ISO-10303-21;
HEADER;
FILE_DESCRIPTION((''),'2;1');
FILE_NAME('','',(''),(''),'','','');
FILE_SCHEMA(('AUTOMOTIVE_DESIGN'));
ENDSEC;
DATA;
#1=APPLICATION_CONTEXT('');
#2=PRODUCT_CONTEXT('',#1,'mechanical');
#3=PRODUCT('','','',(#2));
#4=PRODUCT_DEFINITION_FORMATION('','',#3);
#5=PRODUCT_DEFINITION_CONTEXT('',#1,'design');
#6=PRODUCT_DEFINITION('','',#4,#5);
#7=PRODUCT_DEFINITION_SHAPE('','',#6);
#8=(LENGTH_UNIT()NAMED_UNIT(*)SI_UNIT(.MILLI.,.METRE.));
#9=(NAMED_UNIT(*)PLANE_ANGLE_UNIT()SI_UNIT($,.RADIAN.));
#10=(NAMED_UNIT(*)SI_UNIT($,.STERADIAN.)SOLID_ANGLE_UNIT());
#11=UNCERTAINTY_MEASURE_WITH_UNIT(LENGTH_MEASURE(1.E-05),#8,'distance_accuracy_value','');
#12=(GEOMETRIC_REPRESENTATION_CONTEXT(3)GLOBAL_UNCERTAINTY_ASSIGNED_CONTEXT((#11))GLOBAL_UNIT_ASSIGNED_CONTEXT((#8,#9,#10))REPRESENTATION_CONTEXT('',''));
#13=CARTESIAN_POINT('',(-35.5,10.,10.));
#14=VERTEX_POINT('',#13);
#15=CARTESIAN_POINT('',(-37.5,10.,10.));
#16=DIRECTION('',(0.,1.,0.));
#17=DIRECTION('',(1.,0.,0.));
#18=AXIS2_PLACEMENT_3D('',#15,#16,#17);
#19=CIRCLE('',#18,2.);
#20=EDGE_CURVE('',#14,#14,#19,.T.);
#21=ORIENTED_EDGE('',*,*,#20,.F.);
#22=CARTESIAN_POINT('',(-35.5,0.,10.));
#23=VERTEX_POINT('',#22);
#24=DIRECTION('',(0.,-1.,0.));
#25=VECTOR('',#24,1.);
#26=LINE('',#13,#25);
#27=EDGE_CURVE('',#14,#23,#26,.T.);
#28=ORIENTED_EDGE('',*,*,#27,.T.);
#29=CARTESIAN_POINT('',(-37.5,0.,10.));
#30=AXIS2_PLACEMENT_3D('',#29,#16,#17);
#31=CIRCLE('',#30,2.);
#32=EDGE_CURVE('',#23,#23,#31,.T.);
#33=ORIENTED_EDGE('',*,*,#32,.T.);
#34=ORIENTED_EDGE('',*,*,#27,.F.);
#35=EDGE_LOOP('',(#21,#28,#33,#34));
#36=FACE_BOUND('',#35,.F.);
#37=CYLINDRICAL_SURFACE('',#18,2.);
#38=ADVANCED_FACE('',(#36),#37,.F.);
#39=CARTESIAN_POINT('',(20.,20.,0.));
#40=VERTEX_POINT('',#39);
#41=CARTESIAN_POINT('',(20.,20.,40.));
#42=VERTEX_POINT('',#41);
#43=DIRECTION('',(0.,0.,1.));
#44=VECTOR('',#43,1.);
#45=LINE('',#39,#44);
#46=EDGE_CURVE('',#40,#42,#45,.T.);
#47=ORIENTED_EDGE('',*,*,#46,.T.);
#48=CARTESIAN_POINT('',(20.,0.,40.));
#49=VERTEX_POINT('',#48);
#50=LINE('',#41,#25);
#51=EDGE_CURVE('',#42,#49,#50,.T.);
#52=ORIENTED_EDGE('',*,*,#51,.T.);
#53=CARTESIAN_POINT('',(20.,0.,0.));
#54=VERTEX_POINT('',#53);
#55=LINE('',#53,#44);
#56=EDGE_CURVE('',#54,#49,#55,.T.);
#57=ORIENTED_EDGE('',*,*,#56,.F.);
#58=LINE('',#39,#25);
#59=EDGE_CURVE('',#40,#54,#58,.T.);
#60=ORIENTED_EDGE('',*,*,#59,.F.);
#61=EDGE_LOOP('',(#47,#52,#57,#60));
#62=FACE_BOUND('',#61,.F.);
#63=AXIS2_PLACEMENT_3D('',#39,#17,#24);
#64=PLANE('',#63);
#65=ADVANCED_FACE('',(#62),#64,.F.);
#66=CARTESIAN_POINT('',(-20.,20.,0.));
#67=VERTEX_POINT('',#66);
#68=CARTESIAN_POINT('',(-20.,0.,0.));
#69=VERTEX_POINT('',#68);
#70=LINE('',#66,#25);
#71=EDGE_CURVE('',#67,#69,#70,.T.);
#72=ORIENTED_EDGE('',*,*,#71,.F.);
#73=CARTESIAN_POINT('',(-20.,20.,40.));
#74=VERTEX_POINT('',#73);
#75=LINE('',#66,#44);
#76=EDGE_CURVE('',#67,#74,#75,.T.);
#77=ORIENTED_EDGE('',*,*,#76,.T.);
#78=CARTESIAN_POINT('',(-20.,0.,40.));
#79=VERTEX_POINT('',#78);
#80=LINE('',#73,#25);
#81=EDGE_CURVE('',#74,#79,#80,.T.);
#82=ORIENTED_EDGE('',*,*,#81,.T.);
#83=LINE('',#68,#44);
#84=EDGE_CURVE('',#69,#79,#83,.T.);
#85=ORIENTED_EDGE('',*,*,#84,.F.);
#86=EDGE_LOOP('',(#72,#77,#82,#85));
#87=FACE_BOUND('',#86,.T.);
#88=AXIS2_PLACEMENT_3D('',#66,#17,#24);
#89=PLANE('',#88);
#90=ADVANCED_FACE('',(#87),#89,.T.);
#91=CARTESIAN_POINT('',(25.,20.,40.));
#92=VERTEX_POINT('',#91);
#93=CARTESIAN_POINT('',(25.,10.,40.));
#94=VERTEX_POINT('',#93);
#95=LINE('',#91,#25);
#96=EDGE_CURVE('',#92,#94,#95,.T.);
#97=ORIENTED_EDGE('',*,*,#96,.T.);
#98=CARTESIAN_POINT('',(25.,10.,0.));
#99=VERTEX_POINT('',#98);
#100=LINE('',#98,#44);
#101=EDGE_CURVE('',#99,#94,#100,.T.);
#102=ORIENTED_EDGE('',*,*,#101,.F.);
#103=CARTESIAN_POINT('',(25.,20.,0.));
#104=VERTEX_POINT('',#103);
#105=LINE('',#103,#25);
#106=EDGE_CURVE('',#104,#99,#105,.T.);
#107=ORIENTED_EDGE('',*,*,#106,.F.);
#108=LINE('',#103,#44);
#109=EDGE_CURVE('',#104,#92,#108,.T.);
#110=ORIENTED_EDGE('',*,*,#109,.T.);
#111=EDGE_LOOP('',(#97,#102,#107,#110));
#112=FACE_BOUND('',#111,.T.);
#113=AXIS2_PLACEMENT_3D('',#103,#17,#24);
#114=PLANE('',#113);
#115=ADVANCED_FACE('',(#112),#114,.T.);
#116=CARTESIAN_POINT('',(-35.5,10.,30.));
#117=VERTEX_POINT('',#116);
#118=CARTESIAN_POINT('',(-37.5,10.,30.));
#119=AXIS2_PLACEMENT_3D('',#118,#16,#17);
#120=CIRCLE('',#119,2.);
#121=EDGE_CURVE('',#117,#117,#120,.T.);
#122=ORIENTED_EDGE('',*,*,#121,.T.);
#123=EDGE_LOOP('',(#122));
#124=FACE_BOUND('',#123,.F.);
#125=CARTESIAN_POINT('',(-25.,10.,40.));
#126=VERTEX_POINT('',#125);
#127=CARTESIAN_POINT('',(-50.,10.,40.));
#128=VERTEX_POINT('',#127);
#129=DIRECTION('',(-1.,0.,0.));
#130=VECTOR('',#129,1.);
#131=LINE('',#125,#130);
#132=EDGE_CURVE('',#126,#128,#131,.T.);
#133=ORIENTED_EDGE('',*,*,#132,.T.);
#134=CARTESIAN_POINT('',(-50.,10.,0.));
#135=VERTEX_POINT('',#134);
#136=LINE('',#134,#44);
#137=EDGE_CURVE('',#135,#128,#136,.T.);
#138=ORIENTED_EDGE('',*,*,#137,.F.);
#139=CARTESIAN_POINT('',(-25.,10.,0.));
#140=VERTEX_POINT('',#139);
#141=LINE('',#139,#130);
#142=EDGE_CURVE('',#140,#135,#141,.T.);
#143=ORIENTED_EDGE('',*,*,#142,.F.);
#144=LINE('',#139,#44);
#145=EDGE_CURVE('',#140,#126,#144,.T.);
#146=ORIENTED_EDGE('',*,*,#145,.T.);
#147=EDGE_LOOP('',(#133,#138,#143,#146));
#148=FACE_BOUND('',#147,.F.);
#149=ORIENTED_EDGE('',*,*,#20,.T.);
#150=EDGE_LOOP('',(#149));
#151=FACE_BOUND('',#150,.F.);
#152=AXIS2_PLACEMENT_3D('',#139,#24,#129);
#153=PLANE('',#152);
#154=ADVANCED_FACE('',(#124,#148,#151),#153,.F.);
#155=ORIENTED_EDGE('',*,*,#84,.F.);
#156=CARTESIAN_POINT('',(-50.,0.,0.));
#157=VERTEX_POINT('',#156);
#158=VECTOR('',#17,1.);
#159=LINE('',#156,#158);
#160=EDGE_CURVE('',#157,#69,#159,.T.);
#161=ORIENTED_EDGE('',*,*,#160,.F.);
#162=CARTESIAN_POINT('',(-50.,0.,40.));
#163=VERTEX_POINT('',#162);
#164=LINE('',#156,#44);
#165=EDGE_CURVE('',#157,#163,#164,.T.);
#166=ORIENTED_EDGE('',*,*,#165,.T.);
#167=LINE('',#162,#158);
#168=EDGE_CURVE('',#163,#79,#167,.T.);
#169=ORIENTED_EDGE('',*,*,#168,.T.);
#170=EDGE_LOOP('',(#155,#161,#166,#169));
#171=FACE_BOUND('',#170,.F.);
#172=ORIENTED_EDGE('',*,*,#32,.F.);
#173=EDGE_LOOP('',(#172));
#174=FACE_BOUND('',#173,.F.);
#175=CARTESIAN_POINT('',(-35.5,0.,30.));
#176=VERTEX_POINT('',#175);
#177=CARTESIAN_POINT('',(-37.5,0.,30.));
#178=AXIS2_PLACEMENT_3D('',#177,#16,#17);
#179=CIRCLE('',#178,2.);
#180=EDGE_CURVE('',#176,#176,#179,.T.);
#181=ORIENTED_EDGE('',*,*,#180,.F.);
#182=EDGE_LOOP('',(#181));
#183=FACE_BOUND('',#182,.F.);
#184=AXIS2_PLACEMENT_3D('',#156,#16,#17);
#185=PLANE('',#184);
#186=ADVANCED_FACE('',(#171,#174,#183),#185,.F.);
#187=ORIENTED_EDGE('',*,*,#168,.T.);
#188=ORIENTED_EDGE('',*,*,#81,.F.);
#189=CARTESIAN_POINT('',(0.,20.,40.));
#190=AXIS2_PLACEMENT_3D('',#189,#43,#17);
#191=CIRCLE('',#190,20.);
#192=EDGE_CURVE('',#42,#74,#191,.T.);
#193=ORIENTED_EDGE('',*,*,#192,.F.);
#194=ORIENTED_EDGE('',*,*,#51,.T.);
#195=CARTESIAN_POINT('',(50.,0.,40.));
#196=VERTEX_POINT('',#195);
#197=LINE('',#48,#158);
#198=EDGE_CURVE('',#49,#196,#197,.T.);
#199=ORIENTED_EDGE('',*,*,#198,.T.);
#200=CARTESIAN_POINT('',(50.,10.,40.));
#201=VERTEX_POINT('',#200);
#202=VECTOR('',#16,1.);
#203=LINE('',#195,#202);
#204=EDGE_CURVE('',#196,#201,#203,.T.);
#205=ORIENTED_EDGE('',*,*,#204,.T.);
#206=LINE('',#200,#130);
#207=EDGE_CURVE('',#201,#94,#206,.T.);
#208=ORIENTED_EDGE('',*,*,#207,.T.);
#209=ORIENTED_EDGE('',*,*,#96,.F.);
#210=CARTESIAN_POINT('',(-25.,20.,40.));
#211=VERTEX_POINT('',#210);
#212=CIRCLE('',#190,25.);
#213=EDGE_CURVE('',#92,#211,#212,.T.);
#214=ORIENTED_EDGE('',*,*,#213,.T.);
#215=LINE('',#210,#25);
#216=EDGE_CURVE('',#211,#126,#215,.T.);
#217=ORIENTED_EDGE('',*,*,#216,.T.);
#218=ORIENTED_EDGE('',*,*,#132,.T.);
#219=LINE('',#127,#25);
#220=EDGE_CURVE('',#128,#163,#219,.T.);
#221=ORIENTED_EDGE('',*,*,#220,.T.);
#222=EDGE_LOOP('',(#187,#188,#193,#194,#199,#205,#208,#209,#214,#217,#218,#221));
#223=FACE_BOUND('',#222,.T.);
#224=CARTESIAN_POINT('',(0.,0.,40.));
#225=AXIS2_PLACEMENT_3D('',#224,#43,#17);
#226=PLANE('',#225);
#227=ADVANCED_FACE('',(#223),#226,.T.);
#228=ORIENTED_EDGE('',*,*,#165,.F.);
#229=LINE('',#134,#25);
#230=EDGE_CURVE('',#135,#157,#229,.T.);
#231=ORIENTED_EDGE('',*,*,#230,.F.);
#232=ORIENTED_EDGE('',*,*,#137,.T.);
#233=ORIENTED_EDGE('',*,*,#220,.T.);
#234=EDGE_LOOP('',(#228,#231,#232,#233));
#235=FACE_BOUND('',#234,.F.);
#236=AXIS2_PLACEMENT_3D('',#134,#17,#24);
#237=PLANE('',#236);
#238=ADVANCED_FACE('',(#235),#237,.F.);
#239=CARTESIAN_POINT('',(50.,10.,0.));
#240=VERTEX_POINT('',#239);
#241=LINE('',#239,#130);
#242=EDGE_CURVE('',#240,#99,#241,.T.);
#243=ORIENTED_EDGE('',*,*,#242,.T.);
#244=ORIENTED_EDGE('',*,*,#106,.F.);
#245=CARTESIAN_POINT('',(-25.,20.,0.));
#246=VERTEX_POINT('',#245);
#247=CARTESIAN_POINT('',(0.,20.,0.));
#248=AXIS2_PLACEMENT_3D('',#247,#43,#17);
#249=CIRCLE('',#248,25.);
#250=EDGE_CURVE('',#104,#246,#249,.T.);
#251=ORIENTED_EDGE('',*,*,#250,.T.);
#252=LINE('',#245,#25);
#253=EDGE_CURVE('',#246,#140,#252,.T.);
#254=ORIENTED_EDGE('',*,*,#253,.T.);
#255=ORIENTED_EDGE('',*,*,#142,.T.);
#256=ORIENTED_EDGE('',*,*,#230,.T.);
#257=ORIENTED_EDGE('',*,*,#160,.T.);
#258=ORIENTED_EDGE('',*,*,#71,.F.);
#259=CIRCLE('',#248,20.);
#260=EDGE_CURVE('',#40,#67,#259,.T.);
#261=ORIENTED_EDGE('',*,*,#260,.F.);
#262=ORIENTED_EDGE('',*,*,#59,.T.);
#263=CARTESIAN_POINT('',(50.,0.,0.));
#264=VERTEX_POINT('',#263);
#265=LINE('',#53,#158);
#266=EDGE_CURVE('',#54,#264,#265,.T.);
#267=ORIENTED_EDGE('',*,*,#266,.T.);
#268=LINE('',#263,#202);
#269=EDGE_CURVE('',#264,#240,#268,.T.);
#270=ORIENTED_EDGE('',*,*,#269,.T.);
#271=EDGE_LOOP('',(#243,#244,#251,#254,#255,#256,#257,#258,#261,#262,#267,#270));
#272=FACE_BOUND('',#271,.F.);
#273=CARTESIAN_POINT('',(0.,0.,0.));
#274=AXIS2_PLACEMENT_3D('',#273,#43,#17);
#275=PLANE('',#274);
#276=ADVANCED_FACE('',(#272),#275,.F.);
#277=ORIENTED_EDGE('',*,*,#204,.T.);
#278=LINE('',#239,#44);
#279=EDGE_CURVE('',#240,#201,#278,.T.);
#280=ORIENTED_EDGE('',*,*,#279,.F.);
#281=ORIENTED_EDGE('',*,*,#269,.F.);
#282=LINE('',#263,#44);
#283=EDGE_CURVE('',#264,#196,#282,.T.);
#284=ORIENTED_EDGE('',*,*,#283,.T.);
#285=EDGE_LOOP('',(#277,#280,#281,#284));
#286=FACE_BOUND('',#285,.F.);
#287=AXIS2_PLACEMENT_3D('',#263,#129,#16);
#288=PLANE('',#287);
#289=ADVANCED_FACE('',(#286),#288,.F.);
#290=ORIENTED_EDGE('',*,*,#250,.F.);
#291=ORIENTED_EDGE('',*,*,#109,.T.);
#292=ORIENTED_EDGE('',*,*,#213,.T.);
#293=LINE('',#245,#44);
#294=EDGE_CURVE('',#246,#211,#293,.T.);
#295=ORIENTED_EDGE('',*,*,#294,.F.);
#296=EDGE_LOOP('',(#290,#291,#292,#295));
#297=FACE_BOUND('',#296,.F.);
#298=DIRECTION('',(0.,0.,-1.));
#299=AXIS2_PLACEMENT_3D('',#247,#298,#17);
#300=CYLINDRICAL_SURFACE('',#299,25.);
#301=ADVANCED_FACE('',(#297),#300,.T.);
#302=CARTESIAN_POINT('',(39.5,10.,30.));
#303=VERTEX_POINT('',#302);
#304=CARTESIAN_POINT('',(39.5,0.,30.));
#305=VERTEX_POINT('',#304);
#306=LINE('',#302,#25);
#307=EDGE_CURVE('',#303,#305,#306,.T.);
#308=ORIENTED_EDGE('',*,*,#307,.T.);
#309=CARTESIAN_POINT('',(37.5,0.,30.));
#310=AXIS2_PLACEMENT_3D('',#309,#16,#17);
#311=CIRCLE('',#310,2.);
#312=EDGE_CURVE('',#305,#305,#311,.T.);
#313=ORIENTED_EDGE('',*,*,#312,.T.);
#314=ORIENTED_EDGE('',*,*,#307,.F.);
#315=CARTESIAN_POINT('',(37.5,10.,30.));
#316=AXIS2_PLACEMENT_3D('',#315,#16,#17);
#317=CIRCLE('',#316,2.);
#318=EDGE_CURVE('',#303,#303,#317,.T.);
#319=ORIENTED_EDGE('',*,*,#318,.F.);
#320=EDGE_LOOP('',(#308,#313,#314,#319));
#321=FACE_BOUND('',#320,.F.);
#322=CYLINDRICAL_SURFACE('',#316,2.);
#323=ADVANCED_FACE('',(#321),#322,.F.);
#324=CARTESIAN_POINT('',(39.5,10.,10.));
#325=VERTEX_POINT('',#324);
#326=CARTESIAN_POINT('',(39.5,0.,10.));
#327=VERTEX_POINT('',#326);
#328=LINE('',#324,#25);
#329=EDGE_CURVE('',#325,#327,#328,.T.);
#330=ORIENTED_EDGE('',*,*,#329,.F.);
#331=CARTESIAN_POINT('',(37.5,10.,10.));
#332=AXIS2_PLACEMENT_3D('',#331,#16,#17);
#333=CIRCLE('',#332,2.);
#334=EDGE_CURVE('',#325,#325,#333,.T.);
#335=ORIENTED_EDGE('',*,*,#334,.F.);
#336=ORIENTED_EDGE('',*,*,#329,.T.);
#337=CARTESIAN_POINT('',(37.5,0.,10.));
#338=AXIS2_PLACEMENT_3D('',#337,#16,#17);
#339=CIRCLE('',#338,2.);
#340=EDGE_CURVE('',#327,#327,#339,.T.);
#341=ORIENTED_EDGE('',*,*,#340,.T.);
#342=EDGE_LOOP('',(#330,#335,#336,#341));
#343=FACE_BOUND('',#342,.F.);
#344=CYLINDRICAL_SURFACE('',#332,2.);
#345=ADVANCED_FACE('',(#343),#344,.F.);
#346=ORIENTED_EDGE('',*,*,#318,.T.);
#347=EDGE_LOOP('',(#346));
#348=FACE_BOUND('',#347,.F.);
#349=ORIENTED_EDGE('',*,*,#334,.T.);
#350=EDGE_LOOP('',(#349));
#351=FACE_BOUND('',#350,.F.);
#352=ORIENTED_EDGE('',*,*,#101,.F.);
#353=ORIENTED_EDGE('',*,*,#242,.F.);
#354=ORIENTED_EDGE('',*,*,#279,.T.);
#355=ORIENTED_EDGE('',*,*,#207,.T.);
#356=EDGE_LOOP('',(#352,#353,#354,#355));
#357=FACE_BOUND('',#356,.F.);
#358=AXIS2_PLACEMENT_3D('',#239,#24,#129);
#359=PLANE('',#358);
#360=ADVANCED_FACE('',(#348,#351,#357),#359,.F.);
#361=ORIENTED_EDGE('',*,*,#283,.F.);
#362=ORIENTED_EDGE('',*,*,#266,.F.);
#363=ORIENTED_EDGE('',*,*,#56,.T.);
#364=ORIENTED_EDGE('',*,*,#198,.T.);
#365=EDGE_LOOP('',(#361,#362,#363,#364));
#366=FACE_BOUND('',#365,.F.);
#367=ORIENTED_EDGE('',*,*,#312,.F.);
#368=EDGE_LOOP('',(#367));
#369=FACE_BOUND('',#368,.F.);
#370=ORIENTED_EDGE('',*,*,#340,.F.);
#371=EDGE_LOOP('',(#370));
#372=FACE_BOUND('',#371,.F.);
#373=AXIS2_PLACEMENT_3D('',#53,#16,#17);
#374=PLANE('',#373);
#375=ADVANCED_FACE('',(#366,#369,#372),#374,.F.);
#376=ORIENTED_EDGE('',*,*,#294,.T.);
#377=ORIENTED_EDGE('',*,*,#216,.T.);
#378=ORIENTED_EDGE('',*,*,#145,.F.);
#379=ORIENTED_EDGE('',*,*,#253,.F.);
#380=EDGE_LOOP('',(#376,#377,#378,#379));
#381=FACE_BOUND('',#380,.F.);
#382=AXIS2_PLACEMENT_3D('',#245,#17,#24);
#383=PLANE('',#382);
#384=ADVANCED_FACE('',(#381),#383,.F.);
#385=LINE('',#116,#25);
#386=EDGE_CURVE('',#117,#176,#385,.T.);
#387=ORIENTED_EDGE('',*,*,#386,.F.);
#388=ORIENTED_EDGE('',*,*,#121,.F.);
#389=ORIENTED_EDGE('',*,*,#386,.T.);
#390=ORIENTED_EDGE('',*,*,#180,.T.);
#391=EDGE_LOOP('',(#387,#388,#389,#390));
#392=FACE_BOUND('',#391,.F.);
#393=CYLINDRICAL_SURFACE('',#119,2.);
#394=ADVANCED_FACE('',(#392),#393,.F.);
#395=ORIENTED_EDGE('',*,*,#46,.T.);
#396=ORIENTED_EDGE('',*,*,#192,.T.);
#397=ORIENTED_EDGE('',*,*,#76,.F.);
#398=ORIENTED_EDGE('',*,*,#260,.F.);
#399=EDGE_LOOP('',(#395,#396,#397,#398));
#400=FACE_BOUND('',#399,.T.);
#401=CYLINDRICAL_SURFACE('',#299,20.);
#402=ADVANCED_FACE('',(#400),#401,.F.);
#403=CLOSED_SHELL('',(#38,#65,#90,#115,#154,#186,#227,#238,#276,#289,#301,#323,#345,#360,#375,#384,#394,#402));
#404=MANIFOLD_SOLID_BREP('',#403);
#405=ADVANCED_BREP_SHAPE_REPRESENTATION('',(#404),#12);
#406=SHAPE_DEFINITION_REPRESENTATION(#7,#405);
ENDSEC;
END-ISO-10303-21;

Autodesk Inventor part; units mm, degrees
ref_plane "YZ Plane" through (0, 0, 0) normal (1, 0, 0) x (0, 1, 0)
ref_plane "XZ Plane" through (0, 0, 0) normal (0, 1, 0) x (-1, 0, 0)
ref_plane "XY Plane" through (0, 0, 0) normal (0, 0, 1) x (1, 0, 0)
sketch "Sketch1" plane through (0, 0, 0) normal (0, 0, 1) x (1, 0, 0)
  arc A0 (20, 20) -> (-20, 20) centre (0, 20) ccw
  line L0 (50, 0) -> (50, 10)
  line L1 (-50, 10) -> (-50, 0)
  line L2 (50, 10) -> (25, 10)
  line L3 (-25, 10) -> (-50, 10)
  line L4 (20, 20) -> (20, 0)
  line L5 (-20, 20) -> (-20, 0)
  line L6 (25, 20) -> (25, 10)
  line L7 (-25, 20) -> (-25, 10)
  arc A1 (25, 20) -> (-25, 20) centre (0, 20) ccw
  line L8 (-50, 0) -> (-20, 0)
  line L9 (20, 0) -> (50, 0)
  point P0 (0, 0)
  point P1 (0, 40)
  dimension "d1" = 10
  dimension "d4" = 50
  dimension "d5" = 25
  dimension "d6" = 25
  dimension "d7" = 50
  dimension "d22" = 25
  dimension "d23" = 20
  dimension "d24" = 20
  dimension "d25" = 40
  dimension "d26" = 10
extrude "Extrusion1" add sketch "Sketch1" along normal blind 40
sketch "Sketch2" plane through (25, 10, 0) normal (0, 1, 0) x (1, 0, 0)
  point P0 (-25, 0)
sketch "Sketch3" plane through (25, 10, 0) normal (0, 1, 0) x (1, 0, 0)
  line L0 (25, 0) -> (0, 0) construction
  line L1 (12.5, 0) -> (12.5, -40) construction
  line L2 (25, -40) -> (0, -40) construction
  line L3 (25, 0) -> (25, -40) construction
  line L4 (25, -20) -> (-75, -20) construction
  line L5 (-75, 0) -> (-75, -40) construction
  line L6 (-50, 0) -> (-75, 0) construction
  line L7 (-62.5, 0) -> (-62.5, -40) construction
  line L8 (-50, -40) -> (-75, -40) construction
  line L9 (-77.5, -10) -> (32.5, -10) construction
  line L10 (-75, -30) -> (25, -30) construction
  circle A0 centre (12.5, -10) radius 2
  circle A1 centre (12.5, -30) radius 2
  circle A2 centre (-62.5, -10) radius 2
  circle A3 centre (-62.5, -30) radius 2
  point P0 (-25, 0)
  dimension "d8" = 4
  dimension "d9" = 4
  dimension "d10" = 4
  dimension "d11" = 4
extrude "Extrusion2" cut sketch "Sketch3" against normal blind 10
thread "Thread1" size "M4x0.7" class "6H" standard "ISO Metric profile" length 150
thread "Thread2" size "M4x0.7" class "6H" standard "ISO Metric profile" length 150
thread "Thread3" size "M4x0.7" class "6H" standard "ISO Metric profile" length 150
thread "Thread4" size "M4x0.7" class "6H" standard "ISO Metric profile" length 150
properties part number "U-bracket"
